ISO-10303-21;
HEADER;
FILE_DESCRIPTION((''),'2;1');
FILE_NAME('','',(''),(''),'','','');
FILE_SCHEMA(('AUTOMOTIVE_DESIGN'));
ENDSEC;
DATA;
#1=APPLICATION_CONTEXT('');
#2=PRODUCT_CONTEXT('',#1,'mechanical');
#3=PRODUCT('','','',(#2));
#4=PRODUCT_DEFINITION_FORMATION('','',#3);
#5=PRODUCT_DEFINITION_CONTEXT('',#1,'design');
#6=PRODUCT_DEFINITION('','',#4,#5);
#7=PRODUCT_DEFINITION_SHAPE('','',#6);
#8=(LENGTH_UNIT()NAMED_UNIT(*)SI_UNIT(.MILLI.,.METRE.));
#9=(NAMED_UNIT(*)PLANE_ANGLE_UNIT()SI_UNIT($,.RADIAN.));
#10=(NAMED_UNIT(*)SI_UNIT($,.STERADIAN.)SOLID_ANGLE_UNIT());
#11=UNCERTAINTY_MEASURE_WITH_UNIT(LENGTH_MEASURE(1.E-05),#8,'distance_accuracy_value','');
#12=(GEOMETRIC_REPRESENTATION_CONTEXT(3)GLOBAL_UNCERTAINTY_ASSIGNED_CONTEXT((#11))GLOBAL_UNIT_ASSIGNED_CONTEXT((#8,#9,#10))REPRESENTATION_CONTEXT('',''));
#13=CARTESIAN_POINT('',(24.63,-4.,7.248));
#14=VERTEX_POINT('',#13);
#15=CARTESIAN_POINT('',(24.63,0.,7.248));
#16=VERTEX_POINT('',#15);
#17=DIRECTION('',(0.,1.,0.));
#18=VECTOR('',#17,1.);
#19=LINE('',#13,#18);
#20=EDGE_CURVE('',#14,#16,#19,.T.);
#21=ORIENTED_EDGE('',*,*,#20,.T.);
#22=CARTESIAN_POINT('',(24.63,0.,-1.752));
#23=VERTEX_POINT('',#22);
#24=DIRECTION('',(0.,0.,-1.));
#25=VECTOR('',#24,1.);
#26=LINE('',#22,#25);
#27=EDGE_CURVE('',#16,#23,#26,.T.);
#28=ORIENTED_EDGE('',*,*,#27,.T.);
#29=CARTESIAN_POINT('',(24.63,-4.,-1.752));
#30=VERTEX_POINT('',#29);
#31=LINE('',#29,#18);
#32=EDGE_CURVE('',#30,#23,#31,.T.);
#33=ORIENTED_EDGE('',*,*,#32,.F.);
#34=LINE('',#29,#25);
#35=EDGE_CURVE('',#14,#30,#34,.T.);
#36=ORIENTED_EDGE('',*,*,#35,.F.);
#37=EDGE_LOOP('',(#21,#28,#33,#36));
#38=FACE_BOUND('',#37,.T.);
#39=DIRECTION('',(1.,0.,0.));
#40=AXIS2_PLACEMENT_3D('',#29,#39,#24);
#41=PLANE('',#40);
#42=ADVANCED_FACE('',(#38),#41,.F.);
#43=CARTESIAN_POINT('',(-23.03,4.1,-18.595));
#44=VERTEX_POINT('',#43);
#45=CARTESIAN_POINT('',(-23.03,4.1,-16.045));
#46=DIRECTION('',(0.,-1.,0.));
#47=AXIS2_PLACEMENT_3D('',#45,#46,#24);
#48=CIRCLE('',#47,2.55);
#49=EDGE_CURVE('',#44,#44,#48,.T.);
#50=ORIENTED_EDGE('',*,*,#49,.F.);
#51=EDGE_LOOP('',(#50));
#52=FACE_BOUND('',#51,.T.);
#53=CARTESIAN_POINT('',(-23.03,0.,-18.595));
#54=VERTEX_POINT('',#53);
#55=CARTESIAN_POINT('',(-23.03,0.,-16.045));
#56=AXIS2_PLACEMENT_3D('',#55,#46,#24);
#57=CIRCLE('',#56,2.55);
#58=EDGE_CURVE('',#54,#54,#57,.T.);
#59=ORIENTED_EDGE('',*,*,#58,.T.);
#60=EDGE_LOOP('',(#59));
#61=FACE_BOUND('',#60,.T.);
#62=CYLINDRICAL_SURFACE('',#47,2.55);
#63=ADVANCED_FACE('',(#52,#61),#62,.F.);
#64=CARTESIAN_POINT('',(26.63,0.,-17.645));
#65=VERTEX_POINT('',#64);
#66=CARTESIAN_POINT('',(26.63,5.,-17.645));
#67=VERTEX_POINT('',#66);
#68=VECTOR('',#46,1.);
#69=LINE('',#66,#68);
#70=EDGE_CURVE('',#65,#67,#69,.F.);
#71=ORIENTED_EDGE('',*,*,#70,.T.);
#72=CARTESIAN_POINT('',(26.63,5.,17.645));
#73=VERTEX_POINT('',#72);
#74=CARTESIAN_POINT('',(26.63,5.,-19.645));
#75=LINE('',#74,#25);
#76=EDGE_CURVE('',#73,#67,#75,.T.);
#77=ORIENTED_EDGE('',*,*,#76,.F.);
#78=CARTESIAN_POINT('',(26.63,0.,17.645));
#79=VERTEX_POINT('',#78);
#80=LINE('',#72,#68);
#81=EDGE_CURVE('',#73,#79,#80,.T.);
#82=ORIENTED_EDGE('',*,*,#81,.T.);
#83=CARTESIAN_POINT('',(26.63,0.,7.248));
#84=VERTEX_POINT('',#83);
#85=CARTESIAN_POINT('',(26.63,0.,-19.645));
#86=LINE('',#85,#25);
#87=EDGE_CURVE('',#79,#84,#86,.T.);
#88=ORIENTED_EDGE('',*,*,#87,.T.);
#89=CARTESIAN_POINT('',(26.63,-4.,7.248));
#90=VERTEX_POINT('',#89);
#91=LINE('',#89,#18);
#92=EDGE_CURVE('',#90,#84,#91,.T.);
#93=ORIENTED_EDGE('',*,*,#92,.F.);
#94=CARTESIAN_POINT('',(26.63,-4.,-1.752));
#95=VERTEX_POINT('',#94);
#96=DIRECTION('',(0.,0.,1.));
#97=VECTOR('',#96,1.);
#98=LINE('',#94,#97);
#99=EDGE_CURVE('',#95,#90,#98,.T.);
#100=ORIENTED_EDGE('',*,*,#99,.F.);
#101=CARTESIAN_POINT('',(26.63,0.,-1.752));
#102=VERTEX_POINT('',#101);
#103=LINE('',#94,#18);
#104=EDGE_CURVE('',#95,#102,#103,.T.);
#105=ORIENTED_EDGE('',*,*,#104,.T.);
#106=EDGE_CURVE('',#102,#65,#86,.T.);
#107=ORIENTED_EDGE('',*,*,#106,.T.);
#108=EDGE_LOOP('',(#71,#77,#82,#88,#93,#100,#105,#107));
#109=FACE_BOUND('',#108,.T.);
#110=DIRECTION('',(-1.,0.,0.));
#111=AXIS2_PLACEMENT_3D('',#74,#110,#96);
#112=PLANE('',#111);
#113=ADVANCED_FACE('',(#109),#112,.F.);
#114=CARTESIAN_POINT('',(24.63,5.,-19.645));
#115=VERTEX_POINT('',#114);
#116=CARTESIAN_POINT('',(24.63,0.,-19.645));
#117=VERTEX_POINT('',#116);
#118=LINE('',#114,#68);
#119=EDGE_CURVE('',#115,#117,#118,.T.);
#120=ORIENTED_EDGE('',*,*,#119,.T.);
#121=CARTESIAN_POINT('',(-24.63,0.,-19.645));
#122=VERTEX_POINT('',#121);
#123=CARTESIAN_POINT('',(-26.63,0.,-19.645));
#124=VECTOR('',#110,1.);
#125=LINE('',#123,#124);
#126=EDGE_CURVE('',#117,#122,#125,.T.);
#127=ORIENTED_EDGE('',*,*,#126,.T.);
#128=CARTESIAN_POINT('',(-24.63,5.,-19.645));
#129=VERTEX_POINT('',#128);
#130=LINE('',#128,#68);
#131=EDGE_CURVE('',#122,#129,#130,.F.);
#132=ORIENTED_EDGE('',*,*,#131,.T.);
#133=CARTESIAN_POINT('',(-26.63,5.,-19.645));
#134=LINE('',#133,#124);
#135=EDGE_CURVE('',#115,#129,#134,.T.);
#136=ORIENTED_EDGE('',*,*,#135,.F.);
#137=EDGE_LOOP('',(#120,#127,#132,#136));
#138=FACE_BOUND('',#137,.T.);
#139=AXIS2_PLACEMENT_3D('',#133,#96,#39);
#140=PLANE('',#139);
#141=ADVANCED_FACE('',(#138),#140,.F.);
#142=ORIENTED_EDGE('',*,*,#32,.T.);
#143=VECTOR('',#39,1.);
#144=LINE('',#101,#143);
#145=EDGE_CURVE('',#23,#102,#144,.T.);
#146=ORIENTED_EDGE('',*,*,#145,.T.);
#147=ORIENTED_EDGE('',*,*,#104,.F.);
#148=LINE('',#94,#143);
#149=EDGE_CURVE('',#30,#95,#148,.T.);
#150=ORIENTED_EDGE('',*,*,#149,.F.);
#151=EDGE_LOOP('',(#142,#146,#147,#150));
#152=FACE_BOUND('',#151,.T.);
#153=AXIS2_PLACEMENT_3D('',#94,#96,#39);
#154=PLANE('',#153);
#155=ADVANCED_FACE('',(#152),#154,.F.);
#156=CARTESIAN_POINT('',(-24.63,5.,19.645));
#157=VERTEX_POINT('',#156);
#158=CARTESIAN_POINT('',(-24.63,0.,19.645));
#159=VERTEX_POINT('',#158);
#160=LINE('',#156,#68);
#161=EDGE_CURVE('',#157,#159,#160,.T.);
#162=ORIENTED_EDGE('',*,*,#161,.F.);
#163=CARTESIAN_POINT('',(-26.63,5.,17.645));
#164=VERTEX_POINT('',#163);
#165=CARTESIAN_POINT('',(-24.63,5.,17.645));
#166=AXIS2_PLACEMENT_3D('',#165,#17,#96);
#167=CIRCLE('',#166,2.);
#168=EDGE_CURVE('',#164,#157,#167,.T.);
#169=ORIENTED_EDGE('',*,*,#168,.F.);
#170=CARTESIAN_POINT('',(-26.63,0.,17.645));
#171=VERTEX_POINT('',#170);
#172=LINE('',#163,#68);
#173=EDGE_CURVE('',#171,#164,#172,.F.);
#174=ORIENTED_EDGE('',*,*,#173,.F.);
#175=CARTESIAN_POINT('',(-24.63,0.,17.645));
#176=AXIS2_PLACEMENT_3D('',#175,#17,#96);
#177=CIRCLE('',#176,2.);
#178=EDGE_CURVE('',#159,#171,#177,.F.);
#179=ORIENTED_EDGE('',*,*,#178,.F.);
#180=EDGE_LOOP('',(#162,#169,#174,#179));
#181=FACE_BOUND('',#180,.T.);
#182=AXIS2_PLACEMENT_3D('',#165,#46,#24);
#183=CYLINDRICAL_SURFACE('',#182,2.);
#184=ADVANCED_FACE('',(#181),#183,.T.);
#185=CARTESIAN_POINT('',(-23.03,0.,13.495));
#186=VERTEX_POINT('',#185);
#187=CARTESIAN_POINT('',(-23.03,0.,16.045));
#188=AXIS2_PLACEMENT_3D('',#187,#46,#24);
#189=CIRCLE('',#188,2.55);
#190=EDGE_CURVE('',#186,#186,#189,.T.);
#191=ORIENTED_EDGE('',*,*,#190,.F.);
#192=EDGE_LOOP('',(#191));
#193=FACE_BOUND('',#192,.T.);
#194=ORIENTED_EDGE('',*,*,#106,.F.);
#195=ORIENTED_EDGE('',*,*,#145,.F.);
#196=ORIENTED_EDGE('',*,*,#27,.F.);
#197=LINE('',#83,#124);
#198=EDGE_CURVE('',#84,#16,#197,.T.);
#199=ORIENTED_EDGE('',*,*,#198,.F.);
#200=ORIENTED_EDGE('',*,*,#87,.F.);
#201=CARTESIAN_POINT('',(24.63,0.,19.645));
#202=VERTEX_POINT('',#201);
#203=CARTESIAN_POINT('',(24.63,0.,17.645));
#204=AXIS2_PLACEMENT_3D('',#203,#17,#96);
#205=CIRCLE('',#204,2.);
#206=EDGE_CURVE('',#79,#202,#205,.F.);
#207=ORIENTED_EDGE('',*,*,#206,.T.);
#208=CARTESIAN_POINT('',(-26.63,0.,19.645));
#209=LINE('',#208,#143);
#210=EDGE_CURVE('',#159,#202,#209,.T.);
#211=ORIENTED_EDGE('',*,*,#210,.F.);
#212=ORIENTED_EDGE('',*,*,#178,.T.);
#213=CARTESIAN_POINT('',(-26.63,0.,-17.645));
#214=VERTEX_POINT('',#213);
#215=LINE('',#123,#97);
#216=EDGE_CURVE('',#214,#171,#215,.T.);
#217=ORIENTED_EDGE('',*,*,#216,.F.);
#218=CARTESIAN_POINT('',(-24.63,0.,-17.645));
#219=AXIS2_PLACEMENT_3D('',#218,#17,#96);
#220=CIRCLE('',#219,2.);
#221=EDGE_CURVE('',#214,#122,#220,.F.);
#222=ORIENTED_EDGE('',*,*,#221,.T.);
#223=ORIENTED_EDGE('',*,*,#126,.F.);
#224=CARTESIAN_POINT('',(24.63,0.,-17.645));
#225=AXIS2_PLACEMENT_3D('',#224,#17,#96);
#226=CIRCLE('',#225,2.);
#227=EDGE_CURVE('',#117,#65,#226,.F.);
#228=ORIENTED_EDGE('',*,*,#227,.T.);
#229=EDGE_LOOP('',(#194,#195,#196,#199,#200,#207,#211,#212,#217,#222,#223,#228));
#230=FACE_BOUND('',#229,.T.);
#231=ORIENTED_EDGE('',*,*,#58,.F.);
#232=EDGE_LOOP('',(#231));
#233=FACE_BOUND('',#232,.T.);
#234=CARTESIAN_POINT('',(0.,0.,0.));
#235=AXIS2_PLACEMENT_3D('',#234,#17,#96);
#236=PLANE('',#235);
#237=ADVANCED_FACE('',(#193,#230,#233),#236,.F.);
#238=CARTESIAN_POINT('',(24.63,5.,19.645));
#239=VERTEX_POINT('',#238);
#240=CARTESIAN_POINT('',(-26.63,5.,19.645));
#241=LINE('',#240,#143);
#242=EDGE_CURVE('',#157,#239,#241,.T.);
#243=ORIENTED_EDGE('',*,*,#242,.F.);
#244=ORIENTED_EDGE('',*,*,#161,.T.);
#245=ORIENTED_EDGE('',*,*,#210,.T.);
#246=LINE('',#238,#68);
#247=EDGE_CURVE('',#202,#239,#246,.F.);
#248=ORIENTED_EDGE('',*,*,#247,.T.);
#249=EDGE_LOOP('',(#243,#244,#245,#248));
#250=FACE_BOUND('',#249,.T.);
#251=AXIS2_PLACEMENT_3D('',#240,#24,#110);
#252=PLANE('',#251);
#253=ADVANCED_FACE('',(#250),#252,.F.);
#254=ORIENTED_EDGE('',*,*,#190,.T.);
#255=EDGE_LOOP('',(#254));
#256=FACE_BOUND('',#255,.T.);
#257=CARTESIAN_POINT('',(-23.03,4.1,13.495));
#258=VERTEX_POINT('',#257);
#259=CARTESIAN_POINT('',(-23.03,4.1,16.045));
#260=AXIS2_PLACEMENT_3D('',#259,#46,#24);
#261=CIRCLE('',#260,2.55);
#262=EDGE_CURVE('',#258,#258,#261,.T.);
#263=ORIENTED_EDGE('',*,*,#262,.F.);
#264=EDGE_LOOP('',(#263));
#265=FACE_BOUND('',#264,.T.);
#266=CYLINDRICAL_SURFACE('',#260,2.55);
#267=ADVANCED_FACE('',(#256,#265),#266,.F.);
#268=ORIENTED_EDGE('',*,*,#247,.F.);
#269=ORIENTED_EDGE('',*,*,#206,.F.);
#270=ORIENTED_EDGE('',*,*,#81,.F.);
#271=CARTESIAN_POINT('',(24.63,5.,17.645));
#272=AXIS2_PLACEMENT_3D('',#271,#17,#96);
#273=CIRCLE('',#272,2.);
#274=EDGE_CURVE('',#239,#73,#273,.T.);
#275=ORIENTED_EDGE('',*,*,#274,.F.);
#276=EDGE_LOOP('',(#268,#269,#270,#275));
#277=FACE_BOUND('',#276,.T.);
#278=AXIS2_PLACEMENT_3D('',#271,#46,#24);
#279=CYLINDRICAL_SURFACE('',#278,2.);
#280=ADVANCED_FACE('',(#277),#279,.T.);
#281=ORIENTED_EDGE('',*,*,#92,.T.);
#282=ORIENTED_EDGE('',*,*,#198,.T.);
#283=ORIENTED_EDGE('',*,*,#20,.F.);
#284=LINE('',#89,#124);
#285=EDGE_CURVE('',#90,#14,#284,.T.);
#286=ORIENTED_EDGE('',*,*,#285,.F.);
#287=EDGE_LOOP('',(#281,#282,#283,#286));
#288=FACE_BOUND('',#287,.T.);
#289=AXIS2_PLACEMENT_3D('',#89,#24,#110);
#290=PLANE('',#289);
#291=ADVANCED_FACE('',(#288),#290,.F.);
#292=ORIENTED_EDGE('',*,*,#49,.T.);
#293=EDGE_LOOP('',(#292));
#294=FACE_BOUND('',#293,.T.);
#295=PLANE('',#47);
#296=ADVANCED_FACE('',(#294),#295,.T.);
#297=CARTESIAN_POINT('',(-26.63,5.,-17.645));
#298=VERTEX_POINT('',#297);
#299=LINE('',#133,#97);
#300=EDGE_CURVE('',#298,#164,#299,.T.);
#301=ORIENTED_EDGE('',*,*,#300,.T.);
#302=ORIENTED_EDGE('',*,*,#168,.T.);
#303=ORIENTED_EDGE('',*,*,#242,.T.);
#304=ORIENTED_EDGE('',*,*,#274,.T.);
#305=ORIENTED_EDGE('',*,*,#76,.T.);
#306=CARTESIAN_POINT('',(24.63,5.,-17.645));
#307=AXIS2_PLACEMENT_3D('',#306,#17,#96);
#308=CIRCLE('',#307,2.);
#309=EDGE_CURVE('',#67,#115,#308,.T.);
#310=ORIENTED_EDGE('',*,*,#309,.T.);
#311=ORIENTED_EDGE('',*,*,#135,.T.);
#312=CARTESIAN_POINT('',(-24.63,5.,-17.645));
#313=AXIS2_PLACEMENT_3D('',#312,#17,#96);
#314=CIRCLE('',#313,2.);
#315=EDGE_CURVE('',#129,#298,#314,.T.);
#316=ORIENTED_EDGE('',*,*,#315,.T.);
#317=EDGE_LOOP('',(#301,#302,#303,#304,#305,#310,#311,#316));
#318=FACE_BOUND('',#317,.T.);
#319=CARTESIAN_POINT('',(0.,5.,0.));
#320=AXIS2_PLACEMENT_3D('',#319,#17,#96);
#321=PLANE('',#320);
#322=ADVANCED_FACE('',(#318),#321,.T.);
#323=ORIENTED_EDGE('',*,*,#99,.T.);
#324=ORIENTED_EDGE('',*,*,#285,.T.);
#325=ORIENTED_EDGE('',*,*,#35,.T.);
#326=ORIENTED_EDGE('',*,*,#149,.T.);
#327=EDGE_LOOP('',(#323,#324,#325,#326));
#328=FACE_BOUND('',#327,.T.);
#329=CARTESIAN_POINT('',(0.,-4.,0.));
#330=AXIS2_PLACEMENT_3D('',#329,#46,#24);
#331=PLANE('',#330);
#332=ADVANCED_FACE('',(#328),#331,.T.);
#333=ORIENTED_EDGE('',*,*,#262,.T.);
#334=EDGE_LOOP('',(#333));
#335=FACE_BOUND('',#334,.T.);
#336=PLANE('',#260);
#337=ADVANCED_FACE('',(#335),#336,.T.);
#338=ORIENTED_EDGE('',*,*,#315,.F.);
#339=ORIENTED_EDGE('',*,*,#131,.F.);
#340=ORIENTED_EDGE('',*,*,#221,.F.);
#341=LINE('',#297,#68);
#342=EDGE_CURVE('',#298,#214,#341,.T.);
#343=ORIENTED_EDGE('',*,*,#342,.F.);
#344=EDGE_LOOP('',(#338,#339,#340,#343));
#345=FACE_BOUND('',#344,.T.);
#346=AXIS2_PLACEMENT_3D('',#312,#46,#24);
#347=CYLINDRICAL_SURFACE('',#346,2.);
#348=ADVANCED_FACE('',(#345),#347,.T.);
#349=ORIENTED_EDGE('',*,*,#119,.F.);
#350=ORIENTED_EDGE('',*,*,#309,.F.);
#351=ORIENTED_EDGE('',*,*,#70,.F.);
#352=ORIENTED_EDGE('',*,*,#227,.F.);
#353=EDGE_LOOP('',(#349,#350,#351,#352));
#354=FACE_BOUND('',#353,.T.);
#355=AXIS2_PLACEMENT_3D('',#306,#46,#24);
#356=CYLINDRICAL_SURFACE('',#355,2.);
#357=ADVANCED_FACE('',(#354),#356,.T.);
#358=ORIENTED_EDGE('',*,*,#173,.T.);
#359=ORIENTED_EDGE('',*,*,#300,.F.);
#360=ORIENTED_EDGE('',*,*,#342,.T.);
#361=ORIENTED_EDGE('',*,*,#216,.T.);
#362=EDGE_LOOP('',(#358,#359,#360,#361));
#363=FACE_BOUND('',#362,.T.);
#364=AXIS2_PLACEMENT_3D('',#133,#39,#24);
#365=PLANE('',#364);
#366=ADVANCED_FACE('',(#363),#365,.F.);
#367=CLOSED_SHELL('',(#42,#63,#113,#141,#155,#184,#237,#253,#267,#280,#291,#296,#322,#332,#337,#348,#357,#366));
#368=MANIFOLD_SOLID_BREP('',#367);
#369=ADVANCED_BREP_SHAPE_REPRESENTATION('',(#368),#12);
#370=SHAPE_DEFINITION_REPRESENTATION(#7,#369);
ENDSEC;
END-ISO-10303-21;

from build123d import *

# Parameters (mm, degrees)
SKETCH1_W           = 53.26
SKETCH1_H           = 39.29
BOSS_EXTRUDE1_DEPTH = 5
FILLET1_R           = 2
SKETCH2_R           = 2.55
CUT_EXTRUDE1_DEPTH  = 4.1
SKETCH3_W           = 2
SKETCH3_H           = 9
BOSS_EXTRUDE2_DEPTH = 4


with BuildPart() as part:
    # Sketch1 → Boss-Extrude1 (new body)
    with BuildSketch(Plane(origin=(0, 0, 0), x_dir=(1, 0, 0), z_dir=(0, 1, 0))):
        Rectangle(SKETCH1_W, SKETCH1_H)
    extrude(amount=BOSS_EXTRUDE1_DEPTH)

    # Fillet1
    fillet1_edges = [part.edges().sort_by_distance(p)[0] for p in [
        (26.63, 2.5, 19.645),
        (-26.63, 2.5, 19.645),
        (-26.63, 2.5, -19.645),
        (26.63, 2.5, -19.645),
    ]]
    fillet(fillet1_edges, radius=FILLET1_R)

    # Sketch2 → Cut-Extrude1 (cut)
    with BuildSketch(Plane(origin=(0, 0, 0), x_dir=(-1, 0, 0), z_dir=(0, -1, 0))):
        with Locations(Location((23.03, -16.045, 0), (0, 0, 90))):
            Circle(SKETCH2_R)
        with Locations(Location((23.03, 16.045, 0), (0, 0, 90))):
            Circle(SKETCH2_R)
    extrude(amount=-CUT_EXTRUDE1_DEPTH, mode=Mode.SUBTRACT)

    # Sketch3 → Boss-Extrude2 (add)
    with BuildSketch(Plane(origin=(0, 0, 0), x_dir=(-1, 0, 0), z_dir=(0, -1, 0))):
        with Locations((-25.63, -2.748)):
            Rectangle(SKETCH3_W, SKETCH3_H)
    extrude(amount=BOSS_EXTRUDE2_DEPTH)


solid = part.part
